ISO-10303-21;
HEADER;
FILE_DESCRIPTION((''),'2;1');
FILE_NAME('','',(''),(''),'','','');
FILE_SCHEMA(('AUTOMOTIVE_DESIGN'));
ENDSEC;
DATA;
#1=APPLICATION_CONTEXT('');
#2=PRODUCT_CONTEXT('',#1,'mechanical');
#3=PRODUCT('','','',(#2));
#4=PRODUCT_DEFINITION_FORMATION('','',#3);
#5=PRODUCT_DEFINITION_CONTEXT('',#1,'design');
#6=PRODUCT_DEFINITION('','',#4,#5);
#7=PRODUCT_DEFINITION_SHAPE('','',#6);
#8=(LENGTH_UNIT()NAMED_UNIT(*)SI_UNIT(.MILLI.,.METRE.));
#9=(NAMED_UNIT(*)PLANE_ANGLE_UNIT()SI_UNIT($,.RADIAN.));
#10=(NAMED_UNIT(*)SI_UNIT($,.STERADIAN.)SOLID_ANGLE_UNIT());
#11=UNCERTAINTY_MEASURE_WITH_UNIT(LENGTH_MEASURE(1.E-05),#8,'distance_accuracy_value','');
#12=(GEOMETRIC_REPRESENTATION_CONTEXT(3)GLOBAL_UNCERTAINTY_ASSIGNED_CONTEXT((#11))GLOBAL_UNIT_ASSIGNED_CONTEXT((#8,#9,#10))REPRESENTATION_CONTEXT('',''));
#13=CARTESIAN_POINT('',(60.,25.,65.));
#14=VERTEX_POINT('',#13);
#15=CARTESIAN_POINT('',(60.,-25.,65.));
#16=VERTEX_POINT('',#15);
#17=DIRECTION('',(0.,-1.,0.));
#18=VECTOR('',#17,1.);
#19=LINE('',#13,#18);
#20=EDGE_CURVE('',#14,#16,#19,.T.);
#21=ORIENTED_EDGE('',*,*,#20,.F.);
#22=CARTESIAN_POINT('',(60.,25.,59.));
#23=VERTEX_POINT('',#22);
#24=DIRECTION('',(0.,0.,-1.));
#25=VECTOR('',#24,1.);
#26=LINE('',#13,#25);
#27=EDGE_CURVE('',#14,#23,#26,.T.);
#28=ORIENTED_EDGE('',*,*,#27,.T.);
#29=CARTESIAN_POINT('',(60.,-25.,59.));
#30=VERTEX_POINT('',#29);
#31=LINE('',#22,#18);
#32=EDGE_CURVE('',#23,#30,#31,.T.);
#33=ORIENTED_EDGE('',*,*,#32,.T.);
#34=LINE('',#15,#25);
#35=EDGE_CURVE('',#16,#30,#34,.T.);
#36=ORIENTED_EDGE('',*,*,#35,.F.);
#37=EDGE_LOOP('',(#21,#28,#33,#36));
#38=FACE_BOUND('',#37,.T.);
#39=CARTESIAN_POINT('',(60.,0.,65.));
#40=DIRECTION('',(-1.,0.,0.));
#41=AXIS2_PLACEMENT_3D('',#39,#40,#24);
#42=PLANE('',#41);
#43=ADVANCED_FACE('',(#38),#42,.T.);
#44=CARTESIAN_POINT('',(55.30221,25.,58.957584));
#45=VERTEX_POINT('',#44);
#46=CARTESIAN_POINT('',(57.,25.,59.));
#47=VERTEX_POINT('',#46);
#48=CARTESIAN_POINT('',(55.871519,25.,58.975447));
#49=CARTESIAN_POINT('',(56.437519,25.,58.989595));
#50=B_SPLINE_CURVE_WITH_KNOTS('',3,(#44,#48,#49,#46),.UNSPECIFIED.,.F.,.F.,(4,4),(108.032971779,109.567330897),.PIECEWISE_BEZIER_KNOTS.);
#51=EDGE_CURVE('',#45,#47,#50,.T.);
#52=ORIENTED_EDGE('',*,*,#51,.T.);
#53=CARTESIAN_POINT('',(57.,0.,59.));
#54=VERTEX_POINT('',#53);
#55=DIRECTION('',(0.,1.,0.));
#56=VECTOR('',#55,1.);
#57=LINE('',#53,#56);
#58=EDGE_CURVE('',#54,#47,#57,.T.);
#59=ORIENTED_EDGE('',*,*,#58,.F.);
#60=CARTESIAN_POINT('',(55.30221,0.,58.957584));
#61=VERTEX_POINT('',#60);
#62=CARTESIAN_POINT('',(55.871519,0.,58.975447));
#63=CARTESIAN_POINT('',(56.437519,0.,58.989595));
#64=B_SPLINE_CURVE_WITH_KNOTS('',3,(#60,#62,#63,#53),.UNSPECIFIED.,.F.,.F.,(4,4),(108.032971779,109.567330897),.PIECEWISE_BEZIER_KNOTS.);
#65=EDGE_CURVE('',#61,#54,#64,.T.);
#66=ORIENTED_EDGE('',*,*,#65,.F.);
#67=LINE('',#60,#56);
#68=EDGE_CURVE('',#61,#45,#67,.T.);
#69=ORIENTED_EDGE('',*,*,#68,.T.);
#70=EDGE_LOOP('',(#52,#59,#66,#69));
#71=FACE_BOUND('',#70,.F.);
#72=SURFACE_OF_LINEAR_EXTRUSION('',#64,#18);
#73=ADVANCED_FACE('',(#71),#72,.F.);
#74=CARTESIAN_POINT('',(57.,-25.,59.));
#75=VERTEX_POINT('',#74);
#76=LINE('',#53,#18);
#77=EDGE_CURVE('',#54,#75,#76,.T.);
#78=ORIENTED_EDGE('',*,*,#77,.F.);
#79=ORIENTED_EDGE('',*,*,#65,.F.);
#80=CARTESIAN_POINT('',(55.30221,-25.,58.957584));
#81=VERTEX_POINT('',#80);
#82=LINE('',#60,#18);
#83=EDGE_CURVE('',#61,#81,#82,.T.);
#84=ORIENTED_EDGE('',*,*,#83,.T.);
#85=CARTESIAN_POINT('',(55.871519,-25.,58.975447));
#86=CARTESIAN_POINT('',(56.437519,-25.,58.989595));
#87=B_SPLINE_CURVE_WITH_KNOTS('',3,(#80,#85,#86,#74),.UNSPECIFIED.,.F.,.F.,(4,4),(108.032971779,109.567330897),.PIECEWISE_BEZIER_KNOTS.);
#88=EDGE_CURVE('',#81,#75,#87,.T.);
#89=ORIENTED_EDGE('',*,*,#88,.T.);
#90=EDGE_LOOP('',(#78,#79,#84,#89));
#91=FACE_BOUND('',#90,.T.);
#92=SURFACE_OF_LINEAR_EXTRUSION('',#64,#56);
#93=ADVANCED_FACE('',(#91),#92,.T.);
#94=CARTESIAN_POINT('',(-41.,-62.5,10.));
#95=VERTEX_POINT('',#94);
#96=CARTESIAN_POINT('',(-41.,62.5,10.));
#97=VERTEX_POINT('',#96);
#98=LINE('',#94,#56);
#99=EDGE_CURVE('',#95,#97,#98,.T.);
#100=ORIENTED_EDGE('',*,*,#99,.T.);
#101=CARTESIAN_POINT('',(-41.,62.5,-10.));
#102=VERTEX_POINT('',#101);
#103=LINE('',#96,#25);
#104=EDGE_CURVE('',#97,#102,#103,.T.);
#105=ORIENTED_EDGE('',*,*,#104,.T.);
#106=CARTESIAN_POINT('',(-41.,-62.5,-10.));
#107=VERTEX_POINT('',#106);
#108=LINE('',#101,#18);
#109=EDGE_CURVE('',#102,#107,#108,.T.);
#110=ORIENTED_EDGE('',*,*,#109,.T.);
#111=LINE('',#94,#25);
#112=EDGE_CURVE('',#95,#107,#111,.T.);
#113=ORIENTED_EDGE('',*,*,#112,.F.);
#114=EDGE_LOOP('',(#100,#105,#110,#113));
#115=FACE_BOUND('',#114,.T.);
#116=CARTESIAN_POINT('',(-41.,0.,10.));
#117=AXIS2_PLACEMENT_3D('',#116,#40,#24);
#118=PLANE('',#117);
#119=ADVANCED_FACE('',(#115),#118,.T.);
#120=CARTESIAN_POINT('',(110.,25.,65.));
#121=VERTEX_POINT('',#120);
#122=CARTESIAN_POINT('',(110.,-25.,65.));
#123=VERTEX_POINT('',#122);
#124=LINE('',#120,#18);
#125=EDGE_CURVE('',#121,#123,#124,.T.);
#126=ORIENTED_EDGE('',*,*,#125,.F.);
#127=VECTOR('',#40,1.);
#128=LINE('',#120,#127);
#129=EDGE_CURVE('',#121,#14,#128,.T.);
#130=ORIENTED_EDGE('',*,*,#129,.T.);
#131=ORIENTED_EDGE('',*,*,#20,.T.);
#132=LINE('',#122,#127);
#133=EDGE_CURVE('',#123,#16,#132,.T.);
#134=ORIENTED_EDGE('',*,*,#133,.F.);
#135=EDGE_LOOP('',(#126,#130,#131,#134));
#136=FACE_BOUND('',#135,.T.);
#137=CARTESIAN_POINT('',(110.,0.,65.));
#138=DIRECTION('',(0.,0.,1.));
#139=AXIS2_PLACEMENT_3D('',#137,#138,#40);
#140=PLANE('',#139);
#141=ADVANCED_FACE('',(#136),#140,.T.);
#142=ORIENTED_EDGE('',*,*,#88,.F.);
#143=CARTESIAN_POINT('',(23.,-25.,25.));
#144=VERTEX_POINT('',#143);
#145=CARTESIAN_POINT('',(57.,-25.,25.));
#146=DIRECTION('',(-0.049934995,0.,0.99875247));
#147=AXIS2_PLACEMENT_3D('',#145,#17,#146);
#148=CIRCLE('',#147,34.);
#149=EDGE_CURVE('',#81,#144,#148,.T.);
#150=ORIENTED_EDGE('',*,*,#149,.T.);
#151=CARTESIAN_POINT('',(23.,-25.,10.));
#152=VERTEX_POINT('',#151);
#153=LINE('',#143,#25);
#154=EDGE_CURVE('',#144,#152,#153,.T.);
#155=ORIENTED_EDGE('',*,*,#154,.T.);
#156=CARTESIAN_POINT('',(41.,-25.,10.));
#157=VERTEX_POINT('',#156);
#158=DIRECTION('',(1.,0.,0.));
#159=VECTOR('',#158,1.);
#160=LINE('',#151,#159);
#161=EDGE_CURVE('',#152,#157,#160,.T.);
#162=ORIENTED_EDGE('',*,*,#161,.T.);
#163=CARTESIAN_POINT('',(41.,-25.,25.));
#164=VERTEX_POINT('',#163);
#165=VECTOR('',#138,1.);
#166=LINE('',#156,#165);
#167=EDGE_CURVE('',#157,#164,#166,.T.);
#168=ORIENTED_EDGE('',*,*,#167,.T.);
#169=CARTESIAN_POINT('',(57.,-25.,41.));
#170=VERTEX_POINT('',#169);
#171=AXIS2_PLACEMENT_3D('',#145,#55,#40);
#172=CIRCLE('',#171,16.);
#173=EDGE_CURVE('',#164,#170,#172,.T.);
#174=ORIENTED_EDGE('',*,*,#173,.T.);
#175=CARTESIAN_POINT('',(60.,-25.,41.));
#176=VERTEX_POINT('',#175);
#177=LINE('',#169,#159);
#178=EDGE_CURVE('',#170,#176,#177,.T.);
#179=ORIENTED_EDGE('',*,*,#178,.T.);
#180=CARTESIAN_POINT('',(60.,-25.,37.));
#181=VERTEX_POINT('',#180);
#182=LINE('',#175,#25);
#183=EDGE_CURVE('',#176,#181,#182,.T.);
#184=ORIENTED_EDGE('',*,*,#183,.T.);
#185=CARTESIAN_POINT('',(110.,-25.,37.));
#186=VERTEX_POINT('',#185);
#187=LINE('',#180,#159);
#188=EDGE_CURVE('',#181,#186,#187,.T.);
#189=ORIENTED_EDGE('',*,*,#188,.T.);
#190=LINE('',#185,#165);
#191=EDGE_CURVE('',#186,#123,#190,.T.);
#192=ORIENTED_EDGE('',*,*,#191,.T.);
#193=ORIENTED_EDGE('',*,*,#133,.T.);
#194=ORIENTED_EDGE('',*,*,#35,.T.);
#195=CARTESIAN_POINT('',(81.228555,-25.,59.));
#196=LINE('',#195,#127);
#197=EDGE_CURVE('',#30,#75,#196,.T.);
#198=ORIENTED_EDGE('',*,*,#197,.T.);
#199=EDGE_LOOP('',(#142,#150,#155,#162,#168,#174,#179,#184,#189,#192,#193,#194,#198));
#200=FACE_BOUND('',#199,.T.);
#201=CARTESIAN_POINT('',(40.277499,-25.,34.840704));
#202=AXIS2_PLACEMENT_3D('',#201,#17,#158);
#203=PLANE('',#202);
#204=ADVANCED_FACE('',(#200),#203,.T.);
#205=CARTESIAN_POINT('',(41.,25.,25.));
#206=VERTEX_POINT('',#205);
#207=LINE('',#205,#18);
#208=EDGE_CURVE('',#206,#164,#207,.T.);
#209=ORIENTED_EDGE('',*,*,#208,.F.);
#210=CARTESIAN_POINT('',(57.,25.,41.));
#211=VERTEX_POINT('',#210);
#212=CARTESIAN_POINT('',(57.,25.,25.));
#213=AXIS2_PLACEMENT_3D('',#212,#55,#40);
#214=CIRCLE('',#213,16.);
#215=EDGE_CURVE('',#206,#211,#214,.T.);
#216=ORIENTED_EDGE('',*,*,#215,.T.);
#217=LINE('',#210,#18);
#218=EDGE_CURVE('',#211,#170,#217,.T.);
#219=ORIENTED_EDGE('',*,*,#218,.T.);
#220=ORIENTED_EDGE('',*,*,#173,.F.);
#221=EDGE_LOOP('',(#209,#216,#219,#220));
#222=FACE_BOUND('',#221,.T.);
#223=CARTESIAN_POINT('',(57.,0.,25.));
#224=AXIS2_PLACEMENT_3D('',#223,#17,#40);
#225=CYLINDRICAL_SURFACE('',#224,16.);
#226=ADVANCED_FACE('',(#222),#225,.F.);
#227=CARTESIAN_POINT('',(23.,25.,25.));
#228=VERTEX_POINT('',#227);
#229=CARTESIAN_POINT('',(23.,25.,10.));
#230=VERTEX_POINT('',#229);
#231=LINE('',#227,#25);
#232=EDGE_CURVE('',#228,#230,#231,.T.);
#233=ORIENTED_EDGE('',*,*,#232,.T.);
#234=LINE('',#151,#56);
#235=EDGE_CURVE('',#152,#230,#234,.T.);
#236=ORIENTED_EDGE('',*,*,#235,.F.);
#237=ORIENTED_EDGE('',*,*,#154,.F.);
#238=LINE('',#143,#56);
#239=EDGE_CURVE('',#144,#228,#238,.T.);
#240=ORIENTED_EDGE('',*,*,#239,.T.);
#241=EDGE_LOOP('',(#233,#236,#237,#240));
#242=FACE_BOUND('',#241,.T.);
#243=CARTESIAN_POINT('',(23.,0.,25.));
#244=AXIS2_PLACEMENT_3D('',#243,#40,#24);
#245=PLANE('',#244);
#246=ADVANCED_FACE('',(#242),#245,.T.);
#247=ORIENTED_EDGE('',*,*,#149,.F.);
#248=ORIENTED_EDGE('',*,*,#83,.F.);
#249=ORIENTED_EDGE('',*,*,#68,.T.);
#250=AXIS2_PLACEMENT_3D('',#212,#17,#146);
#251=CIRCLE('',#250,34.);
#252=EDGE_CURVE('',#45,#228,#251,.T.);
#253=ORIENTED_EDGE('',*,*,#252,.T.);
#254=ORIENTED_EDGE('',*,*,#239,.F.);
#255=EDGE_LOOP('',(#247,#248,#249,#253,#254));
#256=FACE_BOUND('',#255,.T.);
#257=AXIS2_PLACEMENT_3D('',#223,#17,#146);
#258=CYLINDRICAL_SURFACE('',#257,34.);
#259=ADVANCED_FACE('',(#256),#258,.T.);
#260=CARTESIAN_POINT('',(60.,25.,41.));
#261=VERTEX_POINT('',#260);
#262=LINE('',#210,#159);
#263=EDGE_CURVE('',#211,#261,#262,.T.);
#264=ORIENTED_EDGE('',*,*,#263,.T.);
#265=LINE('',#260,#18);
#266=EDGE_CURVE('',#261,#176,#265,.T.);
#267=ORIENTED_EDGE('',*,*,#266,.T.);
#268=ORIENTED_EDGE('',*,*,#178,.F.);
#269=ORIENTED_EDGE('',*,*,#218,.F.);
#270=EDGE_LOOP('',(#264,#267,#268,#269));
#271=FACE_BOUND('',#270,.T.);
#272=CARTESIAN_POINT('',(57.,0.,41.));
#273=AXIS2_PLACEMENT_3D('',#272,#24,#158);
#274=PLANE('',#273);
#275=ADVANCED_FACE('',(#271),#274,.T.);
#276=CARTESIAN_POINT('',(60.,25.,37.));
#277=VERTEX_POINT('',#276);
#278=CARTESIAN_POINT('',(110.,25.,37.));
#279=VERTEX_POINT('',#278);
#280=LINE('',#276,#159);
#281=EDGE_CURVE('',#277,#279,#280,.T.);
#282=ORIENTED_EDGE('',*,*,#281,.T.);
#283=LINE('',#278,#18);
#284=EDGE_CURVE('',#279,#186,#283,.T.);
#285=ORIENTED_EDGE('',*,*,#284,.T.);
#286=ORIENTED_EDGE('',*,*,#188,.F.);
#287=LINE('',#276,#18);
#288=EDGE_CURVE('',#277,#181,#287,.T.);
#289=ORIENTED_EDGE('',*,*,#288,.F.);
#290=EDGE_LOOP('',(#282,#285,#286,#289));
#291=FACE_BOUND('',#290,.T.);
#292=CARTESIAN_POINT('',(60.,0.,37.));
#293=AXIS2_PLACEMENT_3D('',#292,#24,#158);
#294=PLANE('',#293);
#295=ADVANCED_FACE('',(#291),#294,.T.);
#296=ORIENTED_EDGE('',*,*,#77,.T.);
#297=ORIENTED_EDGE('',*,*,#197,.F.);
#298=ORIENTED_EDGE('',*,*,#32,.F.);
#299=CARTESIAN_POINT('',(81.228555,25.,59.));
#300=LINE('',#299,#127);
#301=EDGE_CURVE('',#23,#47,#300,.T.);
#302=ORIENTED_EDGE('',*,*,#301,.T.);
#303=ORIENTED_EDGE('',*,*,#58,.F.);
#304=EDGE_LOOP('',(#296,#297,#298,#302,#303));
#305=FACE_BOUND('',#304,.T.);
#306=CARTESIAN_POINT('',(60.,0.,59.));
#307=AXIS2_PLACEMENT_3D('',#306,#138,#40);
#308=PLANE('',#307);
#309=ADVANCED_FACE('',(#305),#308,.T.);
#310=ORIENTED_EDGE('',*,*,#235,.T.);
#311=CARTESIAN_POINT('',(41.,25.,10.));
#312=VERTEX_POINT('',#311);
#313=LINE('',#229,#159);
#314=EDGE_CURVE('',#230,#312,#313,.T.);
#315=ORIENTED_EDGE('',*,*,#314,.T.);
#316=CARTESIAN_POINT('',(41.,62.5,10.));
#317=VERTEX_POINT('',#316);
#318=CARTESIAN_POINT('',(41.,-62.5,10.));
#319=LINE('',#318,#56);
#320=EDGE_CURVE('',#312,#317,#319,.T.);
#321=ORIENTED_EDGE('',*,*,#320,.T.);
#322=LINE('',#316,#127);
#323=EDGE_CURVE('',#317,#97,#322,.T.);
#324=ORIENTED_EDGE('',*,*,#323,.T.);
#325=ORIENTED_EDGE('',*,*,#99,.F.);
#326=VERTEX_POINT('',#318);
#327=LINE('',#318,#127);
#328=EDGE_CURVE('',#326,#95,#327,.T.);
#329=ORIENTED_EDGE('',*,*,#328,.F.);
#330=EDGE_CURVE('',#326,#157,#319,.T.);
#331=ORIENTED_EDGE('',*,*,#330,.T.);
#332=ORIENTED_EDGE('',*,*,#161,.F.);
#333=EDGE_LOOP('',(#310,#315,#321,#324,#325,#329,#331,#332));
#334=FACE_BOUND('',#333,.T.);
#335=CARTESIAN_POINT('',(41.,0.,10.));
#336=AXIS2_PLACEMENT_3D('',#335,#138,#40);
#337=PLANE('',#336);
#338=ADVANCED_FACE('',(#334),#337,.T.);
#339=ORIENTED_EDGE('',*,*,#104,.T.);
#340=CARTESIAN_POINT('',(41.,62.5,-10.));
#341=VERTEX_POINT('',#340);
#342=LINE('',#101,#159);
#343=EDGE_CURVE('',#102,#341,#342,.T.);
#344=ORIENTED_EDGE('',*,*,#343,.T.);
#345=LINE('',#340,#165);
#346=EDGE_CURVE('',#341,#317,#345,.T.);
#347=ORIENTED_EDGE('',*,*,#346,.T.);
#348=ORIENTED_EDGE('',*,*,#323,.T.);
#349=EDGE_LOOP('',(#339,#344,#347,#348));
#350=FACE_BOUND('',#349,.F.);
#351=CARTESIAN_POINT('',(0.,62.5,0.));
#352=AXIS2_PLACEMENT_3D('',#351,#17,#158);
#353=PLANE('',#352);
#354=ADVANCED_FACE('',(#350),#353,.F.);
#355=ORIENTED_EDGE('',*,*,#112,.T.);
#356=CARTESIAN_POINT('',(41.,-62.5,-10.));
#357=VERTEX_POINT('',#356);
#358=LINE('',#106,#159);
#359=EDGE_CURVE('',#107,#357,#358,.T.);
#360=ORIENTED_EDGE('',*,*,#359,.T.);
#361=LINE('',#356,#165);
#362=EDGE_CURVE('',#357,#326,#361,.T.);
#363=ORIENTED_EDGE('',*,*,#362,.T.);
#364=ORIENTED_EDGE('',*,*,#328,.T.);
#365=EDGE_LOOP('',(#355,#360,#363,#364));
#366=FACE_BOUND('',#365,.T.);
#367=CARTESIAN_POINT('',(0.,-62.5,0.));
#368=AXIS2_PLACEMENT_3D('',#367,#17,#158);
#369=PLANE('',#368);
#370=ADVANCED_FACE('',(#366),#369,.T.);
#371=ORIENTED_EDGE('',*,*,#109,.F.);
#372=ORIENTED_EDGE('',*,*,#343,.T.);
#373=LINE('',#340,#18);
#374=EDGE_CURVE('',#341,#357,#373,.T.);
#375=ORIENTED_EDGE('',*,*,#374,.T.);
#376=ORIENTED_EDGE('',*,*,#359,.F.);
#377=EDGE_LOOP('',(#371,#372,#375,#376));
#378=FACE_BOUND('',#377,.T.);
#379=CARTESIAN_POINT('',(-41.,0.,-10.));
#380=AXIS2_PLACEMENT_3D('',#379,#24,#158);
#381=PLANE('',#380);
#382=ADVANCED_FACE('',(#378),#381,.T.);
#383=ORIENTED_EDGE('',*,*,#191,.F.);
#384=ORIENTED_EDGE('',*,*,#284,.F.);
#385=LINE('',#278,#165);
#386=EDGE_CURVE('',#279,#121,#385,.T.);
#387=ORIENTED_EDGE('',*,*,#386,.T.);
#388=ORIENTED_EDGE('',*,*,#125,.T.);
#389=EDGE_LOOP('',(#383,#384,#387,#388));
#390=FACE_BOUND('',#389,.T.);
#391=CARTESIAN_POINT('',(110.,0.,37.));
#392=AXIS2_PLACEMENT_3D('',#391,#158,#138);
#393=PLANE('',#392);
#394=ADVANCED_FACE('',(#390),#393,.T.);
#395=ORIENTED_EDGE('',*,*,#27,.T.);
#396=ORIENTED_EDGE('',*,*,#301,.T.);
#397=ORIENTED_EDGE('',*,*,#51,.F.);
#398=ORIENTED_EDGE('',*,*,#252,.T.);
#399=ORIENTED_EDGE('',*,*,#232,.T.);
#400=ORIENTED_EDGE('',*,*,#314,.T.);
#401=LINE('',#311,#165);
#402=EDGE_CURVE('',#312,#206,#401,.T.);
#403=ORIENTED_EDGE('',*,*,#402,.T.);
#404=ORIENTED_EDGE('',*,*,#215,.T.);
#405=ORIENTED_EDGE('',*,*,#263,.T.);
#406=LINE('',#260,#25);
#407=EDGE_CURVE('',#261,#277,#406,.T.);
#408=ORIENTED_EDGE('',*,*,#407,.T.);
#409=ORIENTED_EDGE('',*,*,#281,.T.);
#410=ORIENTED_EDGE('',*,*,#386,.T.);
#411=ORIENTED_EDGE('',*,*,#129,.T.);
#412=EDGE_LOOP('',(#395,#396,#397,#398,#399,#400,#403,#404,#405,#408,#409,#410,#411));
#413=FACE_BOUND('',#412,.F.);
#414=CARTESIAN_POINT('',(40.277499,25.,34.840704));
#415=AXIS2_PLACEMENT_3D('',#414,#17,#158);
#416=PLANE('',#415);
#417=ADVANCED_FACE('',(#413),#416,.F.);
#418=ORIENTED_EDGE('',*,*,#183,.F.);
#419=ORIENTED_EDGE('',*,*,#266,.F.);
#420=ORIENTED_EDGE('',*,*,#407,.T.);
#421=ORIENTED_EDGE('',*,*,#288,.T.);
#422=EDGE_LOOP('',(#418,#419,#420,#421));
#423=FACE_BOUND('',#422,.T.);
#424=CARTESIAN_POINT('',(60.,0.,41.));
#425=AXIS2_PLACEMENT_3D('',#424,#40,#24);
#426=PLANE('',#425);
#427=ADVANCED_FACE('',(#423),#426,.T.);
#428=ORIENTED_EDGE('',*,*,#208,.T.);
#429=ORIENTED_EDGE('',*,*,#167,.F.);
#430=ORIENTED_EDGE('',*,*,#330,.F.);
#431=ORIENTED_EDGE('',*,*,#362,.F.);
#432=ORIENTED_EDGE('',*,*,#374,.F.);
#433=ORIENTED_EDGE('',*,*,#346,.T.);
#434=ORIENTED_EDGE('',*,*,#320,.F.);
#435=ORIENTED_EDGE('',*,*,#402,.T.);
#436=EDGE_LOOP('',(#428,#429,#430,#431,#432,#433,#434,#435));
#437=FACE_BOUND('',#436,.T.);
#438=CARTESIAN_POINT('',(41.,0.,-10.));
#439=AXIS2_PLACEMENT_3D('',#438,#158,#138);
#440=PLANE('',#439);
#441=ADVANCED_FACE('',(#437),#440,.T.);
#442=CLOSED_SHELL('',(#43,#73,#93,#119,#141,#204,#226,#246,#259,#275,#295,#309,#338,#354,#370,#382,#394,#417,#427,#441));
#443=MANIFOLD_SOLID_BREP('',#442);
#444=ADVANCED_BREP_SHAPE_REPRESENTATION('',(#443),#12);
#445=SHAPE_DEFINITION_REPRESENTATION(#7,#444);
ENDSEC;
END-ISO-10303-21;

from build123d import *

# Parameters (mm, degrees)
F1_DEPTH = 62.5
F0_W     = 21.2285545291
F0_H     = 18
F2_DEPTH = 25


with BuildPart() as f1:
    # F0 (on Front) → F1 (new body, symmetric)
    with BuildSketch(Plane.XZ):
        Polygon((-41, 10), (-41, -10), (41, -10), (41, 10), (23, 10), align=None)
    extrude(amount=F1_DEPTH, both=True)

    # F0 (on Front) → F2 (join, symmetric)
    with BuildSketch(Plane.XZ):
        with BuildLine():
            Line((23, 10), (41, 10))
            Line((41, 10), (41, 25))
            ThreePointArc((41, 25), (45.686291501, 36.313708499), (57, 41))
            Line((57, 41), (60, 41))
            Line((60, 41), (60, 59))
            Line((60, 59), (57, 59))
            add(Edge.make_bspline(
                [(55.3022101566, 58.9575839784), (55.8715194046, 58.9754471326), (56.4375192282, 58.9895954178), (57, 59)],
                knots=[108.0329717794, 108.0329717794, 108.0329717794, 108.0329717794, 109.5673308975, 109.5673308975, 109.5673308975, 109.5673308975], degree=3))
            ThreePointArc((55.3022101566, 58.9575839784), (32.3654221198, 48.4336845729), (23, 25))
            Line((23, 25), (23, 10))
        make_face()
        with Locations((70.6142772645, 50)):
            Rectangle(F0_W, F0_H)
        Polygon((60, 65), (60, 59), (81.2285545291, 59), (81.2285545291, 41), (60, 41), (60, 37), (110, 37), (110, 65), align=None)
    extrude(amount=F2_DEPTH, both=True)


solid = f1.part
